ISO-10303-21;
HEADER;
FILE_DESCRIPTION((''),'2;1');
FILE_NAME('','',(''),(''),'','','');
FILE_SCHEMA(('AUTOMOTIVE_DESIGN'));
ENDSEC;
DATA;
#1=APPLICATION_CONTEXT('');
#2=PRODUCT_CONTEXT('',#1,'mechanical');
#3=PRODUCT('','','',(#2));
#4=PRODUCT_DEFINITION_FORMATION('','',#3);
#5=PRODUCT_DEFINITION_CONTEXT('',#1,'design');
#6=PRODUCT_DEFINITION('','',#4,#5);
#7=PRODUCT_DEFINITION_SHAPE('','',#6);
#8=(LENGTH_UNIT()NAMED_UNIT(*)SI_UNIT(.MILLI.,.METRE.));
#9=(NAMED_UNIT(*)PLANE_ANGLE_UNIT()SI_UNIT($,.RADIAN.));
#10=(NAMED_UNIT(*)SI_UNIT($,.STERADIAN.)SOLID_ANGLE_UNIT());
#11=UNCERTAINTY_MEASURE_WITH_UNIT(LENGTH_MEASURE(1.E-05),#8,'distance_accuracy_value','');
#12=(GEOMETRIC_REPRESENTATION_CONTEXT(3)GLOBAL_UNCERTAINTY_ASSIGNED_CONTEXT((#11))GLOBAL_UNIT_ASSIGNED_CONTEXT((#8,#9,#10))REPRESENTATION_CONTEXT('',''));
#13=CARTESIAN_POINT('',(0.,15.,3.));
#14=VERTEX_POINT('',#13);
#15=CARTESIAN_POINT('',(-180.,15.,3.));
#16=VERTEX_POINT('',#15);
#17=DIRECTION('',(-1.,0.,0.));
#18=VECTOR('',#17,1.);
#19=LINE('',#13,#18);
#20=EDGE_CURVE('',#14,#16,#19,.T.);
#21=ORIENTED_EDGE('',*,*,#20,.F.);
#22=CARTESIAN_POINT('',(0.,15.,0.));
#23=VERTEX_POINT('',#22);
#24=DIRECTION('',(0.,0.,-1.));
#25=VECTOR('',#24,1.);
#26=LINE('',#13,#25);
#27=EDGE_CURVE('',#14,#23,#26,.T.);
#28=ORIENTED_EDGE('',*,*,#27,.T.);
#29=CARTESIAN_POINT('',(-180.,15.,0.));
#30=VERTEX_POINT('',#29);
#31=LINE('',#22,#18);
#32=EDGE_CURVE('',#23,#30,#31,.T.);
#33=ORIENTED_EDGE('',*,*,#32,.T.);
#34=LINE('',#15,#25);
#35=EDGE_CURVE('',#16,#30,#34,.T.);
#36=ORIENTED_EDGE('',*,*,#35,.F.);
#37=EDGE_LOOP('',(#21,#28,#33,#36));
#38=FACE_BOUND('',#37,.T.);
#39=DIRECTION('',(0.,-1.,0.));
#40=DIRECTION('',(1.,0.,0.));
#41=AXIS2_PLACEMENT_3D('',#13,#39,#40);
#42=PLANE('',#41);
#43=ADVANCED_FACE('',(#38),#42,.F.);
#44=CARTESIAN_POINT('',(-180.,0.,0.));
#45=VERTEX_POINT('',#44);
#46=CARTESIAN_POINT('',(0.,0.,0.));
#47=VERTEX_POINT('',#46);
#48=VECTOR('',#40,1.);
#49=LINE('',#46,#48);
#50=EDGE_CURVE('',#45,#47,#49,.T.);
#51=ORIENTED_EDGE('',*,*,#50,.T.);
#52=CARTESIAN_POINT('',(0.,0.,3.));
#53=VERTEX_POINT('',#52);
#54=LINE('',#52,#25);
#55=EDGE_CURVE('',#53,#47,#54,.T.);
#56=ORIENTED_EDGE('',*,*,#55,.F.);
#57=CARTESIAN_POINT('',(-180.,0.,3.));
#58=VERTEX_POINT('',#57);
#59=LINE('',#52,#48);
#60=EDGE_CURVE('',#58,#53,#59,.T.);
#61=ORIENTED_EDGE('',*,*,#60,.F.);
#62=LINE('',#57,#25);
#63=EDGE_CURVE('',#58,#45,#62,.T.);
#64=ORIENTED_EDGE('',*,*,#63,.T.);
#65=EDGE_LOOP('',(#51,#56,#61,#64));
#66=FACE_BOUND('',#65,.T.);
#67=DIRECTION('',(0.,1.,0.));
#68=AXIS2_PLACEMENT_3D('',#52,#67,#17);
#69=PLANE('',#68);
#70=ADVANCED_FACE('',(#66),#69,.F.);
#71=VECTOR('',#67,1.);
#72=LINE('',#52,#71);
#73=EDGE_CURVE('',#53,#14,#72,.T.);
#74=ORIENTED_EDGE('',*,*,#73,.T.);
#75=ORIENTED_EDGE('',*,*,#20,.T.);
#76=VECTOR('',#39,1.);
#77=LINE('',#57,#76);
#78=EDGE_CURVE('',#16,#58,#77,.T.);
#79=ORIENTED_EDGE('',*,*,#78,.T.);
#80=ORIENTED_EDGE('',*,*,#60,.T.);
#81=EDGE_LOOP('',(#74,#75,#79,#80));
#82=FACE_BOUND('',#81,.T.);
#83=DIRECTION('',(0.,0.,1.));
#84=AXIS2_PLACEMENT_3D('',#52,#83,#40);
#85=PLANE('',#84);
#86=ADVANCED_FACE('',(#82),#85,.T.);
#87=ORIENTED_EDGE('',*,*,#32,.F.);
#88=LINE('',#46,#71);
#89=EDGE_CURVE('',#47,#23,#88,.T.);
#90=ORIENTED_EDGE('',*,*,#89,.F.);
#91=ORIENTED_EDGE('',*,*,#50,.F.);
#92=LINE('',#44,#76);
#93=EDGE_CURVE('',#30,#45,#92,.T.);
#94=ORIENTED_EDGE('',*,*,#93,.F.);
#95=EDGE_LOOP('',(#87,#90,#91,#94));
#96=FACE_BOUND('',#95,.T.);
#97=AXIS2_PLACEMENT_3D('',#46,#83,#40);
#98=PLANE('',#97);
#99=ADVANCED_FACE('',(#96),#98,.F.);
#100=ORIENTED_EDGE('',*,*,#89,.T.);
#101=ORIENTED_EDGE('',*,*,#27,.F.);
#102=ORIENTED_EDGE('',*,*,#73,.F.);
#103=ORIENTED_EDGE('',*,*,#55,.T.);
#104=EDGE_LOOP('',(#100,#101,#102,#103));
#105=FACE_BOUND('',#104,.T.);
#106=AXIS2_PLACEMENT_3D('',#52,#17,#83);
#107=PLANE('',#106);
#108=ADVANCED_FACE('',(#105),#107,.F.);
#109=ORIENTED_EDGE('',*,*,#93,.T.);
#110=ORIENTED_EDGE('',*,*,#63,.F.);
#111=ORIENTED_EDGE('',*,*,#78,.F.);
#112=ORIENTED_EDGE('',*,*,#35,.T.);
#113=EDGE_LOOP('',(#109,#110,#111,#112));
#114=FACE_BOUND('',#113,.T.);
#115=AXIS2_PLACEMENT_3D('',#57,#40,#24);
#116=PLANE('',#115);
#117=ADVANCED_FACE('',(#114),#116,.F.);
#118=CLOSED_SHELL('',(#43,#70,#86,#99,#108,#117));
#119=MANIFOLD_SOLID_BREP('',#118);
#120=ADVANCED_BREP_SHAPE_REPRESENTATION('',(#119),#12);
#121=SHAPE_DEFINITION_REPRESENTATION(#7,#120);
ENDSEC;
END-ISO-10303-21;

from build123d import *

# Parameters (mm, degrees)
ESQUISSE1_W        = 180
ESQUISSE1_H        = 15
BOSS_EXTRU_1_DEPTH = 3


with BuildPart() as part:
    # Esquisse1 → Boss.-Extru.1 (new body)
    with BuildSketch(Plane.XY):
        with Locations((-90, 7.5)):
            Rectangle(ESQUISSE1_W, ESQUISSE1_H)
    extrude(amount=BOSS_EXTRU_1_DEPTH)


solid = part.part
